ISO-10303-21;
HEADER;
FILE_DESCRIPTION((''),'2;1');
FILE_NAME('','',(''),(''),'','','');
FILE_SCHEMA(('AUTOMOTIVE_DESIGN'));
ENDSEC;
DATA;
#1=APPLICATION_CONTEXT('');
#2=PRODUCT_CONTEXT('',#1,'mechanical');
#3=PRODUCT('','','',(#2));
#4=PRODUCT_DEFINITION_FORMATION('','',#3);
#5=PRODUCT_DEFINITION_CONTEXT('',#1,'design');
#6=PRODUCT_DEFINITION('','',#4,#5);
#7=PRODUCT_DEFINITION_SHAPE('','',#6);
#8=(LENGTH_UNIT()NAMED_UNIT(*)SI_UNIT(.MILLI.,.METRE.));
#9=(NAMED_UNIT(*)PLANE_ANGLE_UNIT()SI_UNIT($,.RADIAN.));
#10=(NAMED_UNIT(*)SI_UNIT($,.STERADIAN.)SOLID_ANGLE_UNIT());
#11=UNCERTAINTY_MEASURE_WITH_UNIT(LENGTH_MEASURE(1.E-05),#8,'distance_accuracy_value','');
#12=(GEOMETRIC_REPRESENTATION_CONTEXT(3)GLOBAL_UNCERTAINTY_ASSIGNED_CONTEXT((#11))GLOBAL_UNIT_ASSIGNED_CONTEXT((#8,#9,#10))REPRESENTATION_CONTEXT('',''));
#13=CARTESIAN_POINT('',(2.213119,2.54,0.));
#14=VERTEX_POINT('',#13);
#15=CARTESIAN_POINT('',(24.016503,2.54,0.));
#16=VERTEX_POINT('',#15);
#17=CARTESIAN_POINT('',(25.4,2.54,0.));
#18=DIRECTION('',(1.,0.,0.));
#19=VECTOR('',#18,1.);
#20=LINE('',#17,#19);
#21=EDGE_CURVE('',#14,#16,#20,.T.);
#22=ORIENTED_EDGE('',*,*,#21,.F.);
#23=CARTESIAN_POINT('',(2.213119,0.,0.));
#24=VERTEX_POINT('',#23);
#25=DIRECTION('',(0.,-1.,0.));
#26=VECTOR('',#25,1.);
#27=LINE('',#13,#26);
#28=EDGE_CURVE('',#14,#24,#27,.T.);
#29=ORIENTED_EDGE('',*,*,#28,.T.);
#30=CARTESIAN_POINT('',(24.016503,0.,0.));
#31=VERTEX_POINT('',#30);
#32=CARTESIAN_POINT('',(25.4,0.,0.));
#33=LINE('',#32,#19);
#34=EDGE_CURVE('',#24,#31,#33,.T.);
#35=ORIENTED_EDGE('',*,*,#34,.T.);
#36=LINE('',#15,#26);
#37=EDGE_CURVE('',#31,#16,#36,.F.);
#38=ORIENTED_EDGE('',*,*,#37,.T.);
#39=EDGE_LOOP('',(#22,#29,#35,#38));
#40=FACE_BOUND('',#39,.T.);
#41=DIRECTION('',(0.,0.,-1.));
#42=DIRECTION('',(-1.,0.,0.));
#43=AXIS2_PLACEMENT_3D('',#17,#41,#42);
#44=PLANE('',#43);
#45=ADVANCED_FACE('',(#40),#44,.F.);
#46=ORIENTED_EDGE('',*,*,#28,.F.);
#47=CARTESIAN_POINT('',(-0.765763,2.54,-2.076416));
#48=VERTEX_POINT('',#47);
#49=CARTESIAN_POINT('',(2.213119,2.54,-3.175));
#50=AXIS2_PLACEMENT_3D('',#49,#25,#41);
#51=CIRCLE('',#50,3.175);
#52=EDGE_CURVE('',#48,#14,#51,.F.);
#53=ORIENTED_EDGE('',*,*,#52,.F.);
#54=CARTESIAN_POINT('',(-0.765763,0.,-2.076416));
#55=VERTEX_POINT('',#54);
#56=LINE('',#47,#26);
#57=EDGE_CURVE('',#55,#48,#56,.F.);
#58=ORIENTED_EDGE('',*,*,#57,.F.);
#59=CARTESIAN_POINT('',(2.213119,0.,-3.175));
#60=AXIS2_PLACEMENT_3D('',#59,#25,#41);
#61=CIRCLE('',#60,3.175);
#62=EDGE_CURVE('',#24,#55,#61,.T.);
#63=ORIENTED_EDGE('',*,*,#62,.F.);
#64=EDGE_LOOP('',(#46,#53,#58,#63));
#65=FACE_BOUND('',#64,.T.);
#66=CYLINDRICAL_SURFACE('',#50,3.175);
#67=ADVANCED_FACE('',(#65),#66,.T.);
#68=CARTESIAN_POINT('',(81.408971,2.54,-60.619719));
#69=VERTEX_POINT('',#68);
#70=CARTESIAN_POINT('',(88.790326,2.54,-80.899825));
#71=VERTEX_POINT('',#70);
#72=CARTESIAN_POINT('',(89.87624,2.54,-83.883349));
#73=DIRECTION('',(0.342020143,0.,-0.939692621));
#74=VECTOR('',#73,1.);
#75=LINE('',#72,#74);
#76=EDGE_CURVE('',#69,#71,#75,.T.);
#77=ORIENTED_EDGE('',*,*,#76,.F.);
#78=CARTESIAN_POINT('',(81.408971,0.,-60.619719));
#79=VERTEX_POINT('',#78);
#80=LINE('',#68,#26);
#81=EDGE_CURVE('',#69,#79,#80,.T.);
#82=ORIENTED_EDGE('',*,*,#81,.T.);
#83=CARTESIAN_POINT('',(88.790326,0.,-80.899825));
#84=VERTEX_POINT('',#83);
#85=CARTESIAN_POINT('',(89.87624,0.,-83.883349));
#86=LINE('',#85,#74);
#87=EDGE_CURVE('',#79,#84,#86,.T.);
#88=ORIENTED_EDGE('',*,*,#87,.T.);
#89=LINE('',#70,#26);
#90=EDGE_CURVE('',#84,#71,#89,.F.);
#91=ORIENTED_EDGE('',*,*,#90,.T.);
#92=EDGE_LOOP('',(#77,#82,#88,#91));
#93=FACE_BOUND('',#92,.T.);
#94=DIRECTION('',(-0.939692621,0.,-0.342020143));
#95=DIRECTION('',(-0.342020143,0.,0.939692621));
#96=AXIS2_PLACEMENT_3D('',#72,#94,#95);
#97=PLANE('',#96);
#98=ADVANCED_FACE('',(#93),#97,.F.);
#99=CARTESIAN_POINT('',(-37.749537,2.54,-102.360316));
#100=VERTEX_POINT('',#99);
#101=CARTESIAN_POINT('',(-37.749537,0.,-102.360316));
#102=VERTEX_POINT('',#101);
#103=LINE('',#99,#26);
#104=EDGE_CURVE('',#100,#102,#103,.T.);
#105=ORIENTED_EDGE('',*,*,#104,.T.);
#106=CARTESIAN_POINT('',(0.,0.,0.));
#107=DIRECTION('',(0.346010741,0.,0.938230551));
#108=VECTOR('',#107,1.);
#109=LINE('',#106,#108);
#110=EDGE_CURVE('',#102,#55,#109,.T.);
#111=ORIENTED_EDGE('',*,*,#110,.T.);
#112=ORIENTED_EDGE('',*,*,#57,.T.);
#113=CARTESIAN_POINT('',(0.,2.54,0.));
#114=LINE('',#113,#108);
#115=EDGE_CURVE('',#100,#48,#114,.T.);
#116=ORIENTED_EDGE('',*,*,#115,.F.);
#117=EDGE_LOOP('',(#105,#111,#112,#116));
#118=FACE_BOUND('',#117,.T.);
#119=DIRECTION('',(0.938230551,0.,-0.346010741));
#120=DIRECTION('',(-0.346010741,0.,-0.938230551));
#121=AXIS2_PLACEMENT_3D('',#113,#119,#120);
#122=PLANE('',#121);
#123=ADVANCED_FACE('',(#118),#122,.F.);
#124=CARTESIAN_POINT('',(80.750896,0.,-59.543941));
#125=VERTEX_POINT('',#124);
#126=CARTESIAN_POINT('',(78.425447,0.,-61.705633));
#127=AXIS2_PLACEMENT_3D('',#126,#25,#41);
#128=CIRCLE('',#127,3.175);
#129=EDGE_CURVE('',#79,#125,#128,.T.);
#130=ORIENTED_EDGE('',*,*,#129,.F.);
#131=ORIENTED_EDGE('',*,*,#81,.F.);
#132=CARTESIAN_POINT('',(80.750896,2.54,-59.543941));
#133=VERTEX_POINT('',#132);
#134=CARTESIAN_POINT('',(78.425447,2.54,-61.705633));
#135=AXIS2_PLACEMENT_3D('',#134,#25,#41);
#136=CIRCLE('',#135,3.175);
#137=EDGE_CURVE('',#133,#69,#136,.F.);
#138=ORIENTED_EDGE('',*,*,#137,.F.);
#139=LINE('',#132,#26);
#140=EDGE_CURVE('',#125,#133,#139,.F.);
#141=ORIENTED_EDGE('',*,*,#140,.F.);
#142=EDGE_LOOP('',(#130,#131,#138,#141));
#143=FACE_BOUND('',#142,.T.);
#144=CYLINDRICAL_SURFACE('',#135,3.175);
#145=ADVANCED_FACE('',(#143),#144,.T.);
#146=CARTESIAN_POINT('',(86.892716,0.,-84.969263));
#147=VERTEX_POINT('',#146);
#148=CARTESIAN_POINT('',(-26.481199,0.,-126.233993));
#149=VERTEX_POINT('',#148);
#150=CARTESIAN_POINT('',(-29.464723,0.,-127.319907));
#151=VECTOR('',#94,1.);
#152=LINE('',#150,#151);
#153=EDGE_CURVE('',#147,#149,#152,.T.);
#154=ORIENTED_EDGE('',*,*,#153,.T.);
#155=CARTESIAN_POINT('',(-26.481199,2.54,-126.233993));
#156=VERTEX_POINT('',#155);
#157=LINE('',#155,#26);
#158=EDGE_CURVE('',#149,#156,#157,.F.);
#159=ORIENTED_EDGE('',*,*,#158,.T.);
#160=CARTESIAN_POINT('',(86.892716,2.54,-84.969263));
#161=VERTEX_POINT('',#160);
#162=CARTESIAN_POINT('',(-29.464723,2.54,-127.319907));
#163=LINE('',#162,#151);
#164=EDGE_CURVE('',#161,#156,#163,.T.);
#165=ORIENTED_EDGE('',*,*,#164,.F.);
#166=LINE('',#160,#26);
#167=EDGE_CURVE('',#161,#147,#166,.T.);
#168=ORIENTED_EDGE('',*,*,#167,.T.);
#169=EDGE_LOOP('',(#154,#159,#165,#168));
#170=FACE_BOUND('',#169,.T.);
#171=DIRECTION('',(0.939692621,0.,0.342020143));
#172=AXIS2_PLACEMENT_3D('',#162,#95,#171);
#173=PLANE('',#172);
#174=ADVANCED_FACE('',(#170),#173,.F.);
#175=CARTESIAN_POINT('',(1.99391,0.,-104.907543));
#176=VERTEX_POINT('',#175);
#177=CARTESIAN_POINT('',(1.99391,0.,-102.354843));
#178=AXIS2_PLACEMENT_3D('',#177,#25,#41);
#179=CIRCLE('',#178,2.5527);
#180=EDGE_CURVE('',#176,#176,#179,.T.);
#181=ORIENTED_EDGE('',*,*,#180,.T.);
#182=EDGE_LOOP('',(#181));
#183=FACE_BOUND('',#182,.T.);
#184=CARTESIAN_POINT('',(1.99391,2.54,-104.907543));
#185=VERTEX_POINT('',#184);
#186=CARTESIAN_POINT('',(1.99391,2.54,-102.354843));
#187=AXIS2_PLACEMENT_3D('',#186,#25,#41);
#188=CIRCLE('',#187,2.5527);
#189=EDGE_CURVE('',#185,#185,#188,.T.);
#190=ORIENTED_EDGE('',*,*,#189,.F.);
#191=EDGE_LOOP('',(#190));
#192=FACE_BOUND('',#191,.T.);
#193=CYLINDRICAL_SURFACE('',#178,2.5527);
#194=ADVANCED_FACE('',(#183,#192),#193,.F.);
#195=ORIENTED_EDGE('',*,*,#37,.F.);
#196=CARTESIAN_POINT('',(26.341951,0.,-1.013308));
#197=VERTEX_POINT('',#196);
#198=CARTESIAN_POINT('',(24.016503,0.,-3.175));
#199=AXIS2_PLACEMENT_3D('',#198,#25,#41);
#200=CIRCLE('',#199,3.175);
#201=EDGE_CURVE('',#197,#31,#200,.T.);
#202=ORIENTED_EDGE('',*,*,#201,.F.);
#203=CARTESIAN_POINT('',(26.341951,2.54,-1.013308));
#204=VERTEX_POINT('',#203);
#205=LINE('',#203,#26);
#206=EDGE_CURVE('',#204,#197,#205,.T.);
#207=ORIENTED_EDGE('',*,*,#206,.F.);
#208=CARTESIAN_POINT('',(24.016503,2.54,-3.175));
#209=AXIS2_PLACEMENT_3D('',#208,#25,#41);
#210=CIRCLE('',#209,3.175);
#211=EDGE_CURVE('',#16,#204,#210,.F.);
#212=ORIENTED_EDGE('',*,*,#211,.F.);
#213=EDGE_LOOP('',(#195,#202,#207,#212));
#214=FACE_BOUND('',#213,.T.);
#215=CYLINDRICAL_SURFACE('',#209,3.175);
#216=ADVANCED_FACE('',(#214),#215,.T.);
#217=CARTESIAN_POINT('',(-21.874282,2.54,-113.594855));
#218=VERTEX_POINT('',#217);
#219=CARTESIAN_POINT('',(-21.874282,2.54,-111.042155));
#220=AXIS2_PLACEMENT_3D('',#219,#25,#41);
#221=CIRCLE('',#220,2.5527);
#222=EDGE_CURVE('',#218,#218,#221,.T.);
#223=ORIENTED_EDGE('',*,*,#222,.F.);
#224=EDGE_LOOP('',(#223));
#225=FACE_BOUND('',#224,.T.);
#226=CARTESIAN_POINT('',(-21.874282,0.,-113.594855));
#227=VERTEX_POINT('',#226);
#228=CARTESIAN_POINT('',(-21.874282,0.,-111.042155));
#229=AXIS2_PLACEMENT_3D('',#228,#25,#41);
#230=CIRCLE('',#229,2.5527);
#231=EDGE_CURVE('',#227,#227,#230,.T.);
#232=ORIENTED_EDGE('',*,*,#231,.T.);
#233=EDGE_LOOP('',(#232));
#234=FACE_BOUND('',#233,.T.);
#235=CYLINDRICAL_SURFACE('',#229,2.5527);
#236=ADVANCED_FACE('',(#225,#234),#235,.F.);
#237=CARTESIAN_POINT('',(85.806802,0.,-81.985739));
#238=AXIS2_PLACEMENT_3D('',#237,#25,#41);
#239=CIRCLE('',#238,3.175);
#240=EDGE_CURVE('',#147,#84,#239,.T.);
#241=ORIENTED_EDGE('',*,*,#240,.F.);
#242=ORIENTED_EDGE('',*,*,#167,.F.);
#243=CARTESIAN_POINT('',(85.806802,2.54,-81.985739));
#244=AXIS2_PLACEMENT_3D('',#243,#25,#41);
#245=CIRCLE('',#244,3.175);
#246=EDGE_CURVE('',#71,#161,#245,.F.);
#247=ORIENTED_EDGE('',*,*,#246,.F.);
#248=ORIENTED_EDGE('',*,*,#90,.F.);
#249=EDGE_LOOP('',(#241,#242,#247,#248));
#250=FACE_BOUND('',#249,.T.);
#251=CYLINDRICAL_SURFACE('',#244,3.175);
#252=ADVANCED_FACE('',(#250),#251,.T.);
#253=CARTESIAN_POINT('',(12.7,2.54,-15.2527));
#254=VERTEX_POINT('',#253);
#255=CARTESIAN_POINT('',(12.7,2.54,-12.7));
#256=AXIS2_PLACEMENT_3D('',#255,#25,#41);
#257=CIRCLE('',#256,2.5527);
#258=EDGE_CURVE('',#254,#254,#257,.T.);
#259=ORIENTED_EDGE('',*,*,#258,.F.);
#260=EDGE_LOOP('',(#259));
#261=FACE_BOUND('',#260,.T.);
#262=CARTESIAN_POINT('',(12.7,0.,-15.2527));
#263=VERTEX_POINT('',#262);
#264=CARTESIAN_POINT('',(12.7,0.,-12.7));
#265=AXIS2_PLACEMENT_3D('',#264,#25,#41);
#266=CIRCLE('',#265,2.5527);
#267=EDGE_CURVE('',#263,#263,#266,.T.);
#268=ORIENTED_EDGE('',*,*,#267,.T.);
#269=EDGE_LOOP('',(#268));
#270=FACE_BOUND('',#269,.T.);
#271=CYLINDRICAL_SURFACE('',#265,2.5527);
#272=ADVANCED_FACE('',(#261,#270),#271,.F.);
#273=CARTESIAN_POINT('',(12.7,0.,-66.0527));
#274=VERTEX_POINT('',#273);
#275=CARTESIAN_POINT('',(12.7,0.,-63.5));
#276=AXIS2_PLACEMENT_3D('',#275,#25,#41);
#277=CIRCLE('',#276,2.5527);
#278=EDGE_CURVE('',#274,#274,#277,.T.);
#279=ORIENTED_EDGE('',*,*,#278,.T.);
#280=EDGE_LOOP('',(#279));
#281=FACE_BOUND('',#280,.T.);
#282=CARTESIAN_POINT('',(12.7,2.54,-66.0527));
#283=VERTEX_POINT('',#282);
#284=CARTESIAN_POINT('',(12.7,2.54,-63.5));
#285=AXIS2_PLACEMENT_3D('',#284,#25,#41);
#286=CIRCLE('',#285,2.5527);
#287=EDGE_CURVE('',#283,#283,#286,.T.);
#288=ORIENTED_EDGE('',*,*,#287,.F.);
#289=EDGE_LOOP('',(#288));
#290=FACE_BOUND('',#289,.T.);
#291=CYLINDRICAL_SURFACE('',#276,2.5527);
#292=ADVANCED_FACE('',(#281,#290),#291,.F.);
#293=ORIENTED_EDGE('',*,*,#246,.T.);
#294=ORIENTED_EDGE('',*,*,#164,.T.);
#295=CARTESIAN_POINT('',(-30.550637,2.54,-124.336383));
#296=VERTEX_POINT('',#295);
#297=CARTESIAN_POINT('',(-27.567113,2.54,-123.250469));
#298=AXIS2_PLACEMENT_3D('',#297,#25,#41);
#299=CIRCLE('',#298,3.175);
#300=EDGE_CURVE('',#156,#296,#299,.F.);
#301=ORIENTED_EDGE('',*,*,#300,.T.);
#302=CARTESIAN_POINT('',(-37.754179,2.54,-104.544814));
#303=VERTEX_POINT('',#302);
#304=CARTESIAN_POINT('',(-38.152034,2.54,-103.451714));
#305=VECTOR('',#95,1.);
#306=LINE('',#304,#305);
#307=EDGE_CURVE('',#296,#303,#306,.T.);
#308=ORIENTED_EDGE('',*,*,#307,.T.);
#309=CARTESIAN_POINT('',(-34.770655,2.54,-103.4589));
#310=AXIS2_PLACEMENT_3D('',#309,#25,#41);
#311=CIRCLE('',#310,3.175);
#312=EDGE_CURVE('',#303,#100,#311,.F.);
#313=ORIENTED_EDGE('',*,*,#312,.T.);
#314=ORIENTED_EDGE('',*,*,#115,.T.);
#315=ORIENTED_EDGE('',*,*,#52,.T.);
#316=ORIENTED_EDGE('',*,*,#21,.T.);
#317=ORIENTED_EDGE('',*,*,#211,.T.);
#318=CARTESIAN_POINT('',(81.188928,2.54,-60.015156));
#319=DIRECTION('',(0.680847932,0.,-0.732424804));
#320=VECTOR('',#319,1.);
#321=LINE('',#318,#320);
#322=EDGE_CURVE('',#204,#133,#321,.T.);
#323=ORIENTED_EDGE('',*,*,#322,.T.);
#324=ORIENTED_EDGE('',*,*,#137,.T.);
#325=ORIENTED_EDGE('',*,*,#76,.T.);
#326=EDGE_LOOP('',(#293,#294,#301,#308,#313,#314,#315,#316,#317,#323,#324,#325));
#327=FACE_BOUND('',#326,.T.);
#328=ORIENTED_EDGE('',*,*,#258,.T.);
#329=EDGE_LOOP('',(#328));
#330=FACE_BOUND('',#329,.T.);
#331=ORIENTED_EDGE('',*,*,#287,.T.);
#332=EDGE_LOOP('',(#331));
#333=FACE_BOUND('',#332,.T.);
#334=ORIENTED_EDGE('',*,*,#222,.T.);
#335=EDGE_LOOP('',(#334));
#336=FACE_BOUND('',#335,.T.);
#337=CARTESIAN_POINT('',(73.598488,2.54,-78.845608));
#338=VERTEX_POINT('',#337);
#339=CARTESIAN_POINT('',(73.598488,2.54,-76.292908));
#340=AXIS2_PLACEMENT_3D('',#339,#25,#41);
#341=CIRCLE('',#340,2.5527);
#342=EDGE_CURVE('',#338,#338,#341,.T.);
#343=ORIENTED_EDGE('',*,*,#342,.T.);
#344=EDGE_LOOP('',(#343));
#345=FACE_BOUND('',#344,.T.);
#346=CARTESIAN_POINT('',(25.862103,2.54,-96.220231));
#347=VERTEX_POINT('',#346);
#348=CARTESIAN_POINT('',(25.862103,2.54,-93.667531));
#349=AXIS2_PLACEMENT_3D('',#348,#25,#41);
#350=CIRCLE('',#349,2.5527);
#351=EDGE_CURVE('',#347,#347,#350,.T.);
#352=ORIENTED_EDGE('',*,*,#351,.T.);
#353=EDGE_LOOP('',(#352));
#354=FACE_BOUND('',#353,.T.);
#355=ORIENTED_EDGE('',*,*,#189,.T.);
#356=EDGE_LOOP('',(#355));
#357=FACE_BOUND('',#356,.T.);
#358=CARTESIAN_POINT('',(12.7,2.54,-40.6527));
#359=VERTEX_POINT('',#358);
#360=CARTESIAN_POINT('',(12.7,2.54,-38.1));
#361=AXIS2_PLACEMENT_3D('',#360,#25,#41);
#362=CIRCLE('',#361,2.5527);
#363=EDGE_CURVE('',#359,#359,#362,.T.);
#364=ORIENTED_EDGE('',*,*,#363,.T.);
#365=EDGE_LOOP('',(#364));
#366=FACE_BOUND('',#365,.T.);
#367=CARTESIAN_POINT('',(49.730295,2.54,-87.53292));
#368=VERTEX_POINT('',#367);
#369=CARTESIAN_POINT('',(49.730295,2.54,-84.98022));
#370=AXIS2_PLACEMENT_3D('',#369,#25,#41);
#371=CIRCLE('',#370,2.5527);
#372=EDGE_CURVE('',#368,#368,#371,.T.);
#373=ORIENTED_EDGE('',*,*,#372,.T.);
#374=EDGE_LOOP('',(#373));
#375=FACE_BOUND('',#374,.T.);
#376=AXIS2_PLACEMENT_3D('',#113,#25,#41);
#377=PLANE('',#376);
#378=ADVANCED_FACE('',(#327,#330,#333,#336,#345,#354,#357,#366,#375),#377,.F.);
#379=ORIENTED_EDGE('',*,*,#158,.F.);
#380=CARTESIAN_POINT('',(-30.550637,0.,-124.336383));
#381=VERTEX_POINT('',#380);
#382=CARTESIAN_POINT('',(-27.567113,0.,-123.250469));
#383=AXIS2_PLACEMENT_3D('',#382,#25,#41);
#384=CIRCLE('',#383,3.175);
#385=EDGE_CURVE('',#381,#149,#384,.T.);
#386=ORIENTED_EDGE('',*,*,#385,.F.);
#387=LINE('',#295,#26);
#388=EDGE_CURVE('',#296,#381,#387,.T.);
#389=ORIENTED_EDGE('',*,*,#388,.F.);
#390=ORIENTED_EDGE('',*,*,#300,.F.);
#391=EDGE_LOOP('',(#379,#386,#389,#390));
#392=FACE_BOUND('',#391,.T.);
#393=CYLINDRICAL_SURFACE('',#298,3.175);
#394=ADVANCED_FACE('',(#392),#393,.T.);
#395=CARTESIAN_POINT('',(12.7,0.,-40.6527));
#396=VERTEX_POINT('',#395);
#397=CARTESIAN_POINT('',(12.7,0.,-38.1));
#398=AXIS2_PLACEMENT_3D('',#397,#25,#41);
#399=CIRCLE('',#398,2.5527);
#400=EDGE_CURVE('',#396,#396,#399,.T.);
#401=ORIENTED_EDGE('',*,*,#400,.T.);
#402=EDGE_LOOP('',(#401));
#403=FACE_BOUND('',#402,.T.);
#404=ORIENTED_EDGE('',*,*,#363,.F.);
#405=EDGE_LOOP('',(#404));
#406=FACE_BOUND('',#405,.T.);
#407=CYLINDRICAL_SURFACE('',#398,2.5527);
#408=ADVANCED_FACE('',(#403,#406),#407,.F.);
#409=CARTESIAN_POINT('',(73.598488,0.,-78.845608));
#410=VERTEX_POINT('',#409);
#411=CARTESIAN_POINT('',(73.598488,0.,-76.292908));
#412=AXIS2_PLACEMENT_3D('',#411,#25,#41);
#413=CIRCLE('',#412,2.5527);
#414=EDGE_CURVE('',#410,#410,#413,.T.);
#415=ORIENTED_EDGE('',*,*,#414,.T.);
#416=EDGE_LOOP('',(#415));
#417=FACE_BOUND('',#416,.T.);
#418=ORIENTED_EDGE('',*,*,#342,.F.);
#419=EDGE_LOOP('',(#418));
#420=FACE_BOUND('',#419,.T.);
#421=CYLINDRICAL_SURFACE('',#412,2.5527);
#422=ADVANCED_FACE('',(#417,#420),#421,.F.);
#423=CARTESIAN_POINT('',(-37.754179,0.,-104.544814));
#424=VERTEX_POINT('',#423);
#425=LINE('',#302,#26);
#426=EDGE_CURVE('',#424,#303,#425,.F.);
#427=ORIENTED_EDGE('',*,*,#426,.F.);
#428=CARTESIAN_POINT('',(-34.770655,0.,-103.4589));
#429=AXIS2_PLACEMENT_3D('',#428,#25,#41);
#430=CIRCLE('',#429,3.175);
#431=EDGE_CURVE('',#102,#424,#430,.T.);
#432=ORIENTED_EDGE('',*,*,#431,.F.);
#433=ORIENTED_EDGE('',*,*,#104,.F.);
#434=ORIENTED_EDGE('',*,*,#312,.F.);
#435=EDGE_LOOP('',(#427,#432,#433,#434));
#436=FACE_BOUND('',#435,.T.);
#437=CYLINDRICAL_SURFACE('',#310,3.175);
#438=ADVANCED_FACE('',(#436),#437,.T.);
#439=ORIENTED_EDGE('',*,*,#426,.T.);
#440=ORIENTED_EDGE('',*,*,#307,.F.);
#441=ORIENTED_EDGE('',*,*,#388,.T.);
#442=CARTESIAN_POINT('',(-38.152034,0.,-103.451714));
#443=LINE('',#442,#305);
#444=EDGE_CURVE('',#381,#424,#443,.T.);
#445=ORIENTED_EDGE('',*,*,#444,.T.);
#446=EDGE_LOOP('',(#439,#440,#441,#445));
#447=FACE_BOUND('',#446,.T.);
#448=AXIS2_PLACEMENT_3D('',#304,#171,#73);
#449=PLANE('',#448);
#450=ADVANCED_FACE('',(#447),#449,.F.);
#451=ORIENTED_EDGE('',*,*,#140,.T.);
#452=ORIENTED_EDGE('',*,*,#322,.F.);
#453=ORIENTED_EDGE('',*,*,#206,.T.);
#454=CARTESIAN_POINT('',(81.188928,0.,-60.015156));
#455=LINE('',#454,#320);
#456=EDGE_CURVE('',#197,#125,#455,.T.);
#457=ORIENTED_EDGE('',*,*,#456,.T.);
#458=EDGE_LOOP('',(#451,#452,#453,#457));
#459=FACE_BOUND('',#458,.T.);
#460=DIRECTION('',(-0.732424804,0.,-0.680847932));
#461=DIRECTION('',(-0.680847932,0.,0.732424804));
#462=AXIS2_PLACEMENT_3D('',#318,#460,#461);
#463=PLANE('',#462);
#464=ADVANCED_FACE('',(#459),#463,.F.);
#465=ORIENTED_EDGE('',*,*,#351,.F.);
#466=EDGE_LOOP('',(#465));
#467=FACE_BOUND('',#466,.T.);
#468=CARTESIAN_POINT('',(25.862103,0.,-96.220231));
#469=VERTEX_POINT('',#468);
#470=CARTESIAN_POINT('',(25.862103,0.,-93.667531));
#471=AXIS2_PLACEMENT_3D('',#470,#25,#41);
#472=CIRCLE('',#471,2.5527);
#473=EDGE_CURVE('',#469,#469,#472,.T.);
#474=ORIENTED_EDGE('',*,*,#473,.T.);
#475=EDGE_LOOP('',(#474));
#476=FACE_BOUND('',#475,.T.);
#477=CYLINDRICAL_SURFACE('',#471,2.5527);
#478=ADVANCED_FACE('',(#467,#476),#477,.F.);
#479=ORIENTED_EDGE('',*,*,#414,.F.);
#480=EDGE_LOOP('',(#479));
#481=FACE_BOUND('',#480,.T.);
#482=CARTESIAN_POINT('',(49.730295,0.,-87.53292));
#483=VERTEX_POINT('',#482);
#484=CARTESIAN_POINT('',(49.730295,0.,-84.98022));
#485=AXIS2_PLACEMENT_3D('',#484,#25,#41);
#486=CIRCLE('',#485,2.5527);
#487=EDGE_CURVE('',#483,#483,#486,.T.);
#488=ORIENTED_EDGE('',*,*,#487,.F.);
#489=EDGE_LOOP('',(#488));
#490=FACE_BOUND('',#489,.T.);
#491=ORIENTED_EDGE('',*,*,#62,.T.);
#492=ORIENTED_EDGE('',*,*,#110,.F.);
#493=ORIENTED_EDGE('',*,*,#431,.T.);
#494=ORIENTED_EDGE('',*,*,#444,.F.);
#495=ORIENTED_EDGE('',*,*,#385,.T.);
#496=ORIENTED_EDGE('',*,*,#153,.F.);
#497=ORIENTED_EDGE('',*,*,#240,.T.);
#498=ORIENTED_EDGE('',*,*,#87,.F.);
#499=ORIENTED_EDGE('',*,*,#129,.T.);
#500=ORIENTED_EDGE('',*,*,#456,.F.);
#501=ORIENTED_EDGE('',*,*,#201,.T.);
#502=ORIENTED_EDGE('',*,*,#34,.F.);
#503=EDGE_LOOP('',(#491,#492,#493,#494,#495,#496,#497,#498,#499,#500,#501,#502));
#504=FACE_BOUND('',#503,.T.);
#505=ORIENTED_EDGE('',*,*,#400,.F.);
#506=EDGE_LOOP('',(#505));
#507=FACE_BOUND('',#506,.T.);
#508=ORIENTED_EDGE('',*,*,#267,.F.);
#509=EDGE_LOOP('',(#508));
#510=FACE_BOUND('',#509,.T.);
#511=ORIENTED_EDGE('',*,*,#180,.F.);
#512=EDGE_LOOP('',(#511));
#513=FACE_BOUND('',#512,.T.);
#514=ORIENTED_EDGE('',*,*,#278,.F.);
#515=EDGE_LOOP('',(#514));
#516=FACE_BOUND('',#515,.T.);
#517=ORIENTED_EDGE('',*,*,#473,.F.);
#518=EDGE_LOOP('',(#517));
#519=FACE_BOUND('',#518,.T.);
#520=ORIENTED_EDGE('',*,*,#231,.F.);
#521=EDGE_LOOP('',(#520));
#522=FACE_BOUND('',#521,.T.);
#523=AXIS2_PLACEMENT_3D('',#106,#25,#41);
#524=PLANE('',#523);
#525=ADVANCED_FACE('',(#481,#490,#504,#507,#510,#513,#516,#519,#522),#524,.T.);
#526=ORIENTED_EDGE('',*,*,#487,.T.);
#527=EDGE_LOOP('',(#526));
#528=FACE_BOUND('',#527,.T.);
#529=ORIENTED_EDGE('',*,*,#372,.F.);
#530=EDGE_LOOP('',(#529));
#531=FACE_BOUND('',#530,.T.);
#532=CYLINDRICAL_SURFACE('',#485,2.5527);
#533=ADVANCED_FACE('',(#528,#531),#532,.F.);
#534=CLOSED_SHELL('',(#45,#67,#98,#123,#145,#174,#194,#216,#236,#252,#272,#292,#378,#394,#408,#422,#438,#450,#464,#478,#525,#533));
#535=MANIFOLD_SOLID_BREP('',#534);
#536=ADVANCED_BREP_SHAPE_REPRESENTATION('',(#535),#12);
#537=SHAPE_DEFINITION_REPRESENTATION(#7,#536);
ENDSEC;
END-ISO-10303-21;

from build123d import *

# Parameters (mm, degrees)
BOSS_EXTRUDE1_DEPTH        = 2.54
F_7_0_201_DIAMETER_HOLE1_D = 5.1054
FILLET1_R                  = 3.175


with BuildPart() as part:
    # Sketch1 → Boss-Extrude1 (new body)
    with BuildSketch(Plane(origin=(0, 0, 0), x_dir=(1, 0, 0), z_dir=(0, 1, 0))):
        Polygon((0, 0), (-38.15203444, 103.451714303), (-29.4647228, 127.319906871), (89.87624004, 83.883348669), (81.1889284, 60.015156101), (25.4, 0), align=None)
    extrude(amount=BOSS_EXTRUDE1_DEPTH)

    # #7 (0.201) Diameter Hole1 (through all)
    with Locations(Plane(origin=(0, 0, 0), x_dir=(-1, 0, 0), z_dir=(0, -1, 0))):
        with Locations((-73.598487936, 76.292908205), (-49.730295368, 84.980219846), (-25.8621028, 93.667531486), (-1.993910232, 102.354843126), (21.874282336, 111.042154767), (-12.7, 63.5), (-12.7, 38.1), (-12.7, 12.7)):
            Hole(F_7_0_201_DIAMETER_HOLE1_D / 2)

    # Fillet1
    fillet1_edges = [part.edges().sort_by_distance(p)[0] for p in [
        (0, 1.27, 0),
        (-38.15203444, 1.27, -103.451714303),
        (-29.4647228, 1.27, -127.319906871),
        (89.87624004, 1.27, -83.883348669),
        (81.1889284, 1.27, -60.015156101),
        (25.4, 1.27, 0),
    ]]
    fillet(fillet1_edges, radius=FILLET1_R)


solid = part.part
